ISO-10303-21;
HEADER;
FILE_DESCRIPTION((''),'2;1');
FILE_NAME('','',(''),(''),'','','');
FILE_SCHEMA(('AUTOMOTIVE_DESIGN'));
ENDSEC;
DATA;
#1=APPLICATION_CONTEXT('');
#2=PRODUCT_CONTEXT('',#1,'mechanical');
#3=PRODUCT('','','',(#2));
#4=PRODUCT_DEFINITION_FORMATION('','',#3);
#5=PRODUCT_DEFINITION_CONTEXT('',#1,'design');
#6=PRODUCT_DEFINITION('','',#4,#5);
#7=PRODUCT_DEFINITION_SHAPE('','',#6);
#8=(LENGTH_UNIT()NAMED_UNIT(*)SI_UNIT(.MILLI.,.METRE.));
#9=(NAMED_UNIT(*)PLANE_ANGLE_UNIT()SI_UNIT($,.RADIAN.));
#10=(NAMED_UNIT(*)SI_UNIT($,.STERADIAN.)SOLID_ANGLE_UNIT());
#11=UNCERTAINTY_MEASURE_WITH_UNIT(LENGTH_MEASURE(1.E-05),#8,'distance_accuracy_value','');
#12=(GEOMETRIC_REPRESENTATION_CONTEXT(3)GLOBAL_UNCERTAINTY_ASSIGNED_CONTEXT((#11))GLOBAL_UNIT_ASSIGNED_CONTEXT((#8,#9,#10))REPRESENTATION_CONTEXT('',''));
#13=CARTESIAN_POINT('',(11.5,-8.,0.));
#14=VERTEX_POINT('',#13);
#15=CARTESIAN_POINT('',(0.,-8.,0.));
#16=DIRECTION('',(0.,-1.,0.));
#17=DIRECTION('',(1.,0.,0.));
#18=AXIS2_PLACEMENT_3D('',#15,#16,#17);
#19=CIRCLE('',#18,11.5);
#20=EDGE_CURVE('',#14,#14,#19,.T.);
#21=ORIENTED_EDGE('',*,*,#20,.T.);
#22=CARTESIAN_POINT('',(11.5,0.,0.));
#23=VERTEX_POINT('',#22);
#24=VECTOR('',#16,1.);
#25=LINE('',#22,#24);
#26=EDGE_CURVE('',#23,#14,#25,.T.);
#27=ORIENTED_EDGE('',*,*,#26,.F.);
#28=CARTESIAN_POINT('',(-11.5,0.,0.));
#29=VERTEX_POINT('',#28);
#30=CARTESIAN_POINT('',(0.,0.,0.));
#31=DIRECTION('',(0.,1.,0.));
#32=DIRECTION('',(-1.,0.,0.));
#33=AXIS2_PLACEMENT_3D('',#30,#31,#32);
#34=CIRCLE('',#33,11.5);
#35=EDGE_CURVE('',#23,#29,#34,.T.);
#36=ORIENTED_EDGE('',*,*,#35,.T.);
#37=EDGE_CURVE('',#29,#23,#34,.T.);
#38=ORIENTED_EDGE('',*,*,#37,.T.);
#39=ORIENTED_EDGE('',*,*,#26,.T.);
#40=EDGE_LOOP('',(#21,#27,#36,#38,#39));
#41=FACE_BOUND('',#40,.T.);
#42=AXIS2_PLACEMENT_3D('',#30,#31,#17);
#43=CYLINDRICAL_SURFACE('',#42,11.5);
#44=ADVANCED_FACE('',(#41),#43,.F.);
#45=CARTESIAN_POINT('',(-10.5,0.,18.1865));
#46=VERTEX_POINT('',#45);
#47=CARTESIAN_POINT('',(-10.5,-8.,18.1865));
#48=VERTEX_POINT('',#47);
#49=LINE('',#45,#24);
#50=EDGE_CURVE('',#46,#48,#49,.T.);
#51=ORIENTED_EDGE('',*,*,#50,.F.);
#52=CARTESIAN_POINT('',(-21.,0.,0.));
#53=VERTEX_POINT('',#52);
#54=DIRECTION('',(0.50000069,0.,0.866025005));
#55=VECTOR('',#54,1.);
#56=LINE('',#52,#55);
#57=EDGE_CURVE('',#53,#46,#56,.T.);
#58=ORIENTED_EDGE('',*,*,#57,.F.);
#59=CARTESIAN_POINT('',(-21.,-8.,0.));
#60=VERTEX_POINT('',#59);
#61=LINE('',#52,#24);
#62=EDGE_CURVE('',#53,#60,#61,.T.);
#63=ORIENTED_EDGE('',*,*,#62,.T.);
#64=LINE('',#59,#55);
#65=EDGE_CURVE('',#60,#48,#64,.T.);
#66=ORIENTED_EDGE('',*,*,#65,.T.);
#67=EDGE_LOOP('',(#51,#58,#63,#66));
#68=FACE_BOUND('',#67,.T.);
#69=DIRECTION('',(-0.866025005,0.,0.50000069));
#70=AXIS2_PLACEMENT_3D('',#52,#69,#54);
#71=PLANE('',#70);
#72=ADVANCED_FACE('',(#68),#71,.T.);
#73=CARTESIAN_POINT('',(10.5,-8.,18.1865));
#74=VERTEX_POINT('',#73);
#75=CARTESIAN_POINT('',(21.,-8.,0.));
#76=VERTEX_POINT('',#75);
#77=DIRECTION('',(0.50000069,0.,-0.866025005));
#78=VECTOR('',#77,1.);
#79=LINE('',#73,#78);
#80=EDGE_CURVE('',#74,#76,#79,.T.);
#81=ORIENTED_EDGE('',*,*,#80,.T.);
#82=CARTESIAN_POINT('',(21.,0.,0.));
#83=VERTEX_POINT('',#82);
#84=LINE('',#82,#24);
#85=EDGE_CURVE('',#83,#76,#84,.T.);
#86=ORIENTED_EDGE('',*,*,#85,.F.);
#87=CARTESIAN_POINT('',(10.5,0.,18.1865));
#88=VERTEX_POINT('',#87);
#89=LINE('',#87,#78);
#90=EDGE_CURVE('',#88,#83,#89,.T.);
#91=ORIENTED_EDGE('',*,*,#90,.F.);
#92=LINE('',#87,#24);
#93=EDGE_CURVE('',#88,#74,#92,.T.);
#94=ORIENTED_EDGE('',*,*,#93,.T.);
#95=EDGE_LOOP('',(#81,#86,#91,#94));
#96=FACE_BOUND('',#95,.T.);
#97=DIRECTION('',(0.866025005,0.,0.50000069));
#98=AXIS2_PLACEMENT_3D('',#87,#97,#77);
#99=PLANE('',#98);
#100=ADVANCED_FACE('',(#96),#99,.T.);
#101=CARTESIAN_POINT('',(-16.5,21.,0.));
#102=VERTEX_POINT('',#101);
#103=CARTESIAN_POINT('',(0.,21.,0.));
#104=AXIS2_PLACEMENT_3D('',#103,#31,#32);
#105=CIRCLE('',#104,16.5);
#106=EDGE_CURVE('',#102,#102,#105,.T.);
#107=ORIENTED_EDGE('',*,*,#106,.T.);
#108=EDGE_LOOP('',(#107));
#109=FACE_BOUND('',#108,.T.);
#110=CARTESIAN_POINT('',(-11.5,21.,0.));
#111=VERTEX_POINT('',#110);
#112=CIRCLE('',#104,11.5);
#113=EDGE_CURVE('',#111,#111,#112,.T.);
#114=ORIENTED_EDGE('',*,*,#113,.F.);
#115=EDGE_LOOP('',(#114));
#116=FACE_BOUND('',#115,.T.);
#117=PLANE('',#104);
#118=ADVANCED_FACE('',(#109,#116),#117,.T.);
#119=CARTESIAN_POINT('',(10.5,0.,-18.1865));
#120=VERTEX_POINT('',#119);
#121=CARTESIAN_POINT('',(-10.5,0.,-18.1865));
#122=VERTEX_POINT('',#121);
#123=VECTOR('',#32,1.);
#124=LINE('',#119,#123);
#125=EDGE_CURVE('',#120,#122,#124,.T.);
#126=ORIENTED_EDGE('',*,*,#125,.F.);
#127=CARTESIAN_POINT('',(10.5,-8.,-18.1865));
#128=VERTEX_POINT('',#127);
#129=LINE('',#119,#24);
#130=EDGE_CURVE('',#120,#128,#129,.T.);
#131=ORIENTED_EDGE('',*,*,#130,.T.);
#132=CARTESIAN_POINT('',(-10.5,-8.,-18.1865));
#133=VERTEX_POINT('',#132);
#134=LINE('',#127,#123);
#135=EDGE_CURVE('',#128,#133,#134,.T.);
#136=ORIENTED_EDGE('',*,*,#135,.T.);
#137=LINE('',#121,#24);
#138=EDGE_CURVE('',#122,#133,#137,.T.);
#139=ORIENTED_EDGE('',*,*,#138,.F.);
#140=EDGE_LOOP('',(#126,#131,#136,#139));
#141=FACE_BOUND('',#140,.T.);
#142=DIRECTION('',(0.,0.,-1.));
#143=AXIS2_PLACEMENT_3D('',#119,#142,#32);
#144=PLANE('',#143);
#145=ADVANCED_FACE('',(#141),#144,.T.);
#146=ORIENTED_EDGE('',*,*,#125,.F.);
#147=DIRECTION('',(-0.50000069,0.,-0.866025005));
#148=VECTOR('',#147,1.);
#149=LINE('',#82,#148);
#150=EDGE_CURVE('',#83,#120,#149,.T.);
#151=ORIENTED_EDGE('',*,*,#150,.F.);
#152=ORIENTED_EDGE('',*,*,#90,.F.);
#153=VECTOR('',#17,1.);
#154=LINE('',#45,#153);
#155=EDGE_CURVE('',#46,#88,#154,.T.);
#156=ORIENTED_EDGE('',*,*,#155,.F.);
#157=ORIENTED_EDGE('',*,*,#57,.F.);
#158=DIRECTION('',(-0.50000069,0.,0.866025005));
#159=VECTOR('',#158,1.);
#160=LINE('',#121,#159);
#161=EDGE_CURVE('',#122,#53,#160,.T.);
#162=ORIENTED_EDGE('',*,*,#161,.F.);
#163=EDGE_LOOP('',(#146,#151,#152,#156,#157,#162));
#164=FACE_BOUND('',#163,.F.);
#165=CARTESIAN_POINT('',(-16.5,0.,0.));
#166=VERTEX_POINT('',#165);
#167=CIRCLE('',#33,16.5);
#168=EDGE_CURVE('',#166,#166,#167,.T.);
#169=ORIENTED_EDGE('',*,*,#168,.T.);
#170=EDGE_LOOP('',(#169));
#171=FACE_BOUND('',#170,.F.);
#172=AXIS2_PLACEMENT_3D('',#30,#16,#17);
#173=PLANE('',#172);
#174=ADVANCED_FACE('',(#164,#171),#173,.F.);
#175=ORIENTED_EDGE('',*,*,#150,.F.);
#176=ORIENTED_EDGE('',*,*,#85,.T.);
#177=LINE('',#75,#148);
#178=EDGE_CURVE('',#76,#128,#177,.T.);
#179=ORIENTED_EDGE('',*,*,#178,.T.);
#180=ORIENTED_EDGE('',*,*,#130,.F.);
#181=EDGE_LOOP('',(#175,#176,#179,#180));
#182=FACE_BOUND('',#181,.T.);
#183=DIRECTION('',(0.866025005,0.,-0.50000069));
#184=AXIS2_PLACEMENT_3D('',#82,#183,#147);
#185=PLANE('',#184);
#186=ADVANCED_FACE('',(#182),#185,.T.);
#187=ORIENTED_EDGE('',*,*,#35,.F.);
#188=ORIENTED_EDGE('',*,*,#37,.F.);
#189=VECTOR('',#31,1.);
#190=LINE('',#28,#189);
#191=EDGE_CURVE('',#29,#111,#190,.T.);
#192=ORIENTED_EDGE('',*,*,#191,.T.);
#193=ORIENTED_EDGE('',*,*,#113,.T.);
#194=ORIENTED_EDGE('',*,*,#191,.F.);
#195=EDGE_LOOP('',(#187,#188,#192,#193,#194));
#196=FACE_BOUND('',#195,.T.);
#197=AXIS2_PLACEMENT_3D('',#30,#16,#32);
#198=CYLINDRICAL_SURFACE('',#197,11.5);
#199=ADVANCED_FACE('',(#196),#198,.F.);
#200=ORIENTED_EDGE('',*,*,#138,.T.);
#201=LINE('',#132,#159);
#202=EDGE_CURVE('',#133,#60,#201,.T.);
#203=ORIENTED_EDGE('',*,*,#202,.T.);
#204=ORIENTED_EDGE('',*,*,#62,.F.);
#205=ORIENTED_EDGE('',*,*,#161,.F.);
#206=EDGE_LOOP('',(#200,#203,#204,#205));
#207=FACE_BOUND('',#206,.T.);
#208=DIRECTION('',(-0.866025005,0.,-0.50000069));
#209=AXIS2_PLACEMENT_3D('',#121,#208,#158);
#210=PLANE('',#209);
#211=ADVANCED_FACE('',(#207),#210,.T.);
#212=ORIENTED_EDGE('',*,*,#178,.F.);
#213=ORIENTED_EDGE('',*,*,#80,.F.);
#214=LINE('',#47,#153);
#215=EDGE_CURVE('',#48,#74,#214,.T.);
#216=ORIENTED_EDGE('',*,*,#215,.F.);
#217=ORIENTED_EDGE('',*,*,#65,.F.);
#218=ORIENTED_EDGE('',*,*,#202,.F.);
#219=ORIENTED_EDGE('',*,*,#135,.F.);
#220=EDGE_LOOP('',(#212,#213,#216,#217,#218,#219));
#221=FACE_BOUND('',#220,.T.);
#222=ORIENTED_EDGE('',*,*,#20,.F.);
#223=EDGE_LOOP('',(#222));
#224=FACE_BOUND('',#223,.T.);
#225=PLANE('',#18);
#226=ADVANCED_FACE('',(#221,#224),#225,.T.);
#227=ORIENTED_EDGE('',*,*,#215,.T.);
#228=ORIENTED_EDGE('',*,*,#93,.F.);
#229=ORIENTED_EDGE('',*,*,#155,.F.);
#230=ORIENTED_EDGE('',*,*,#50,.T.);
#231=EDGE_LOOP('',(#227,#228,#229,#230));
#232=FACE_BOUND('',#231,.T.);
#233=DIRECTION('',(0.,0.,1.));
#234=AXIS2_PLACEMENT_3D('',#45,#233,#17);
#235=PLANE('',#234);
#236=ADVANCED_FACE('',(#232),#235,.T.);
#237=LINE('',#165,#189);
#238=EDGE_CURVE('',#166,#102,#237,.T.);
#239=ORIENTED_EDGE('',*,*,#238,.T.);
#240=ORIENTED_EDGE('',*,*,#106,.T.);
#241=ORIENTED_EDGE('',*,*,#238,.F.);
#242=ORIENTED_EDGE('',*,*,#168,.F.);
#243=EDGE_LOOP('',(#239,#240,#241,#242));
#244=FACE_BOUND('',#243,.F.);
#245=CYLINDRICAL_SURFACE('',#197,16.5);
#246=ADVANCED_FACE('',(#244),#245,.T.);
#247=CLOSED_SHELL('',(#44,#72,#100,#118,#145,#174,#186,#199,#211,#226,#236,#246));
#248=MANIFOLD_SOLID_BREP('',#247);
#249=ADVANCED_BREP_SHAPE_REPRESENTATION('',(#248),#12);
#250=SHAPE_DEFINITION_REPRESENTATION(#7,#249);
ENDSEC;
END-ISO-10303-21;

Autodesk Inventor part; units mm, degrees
ref_plane "YZ Plane" through (0, 0, 0) normal (1, 0, 0) x (0, 1, 0)
ref_plane "XZ Plane" through (0, 0, 0) normal (0, 1, 0) x (-1, 0, 0)
ref_plane "XY Plane" through (0, 0, 0) normal (0, 0, 1) x (1, 0, 0)
sketch "Sketch1" plane through (0, 0, 0) normal (0, 1, 0) x (-1, 0, 0)
  circle A0 centre (0, 0) radius 16.5
  circle A1 centre (0, 0) radius 11.5
  dimension "d0" = 33
  dimension "d1" = 23
extrude "tappedEnd" add sketch "Sketch1" along normal blind 21
thread "Thread1" size "3/4" designation "3/4 - 14 NPT" standard "NPT for PVC Pipe and Fitting" length 20.155
sketch "Sketch2" plane through (0, 0, 0) normal (0, -1, 0) x (1, 0, 0)
  circle A0 centre (0, 0) radius 21 construction
  line L0 (-10.5, 18.1865) -> (10.5, 18.1865)
  line L1 (10.5, 18.1865) -> (21, 0)
  line L2 (21, 0) -> (10.5, -18.1865)
  line L3 (10.5, -18.1865) -> (-10.5, -18.1865)
  line L4 (-10.5, -18.1865) -> (-21, 0)
  line L5 (-21, 0) -> (-10.5, 18.1865)
  circle A1 centre (0, 0) radius 11.5 projected
  dimension "d6" = 42
extrude "hexBit" add sketch "Sketch2" along normal blind 8
sketch "Sketch3" plane through (0, -8, 0) normal (0, -1, 0) x (1, 0, 0)
  circle A0 centre (0, 0) radius 11.5 projected
  circle A1 centre (0, 0) radius 16.5
  dimension "d9" = 33
extrude "Extrusion3" [suppressed]
properties part number "PVCConnectorFemale3_4inch" material "PVC-Piping"
